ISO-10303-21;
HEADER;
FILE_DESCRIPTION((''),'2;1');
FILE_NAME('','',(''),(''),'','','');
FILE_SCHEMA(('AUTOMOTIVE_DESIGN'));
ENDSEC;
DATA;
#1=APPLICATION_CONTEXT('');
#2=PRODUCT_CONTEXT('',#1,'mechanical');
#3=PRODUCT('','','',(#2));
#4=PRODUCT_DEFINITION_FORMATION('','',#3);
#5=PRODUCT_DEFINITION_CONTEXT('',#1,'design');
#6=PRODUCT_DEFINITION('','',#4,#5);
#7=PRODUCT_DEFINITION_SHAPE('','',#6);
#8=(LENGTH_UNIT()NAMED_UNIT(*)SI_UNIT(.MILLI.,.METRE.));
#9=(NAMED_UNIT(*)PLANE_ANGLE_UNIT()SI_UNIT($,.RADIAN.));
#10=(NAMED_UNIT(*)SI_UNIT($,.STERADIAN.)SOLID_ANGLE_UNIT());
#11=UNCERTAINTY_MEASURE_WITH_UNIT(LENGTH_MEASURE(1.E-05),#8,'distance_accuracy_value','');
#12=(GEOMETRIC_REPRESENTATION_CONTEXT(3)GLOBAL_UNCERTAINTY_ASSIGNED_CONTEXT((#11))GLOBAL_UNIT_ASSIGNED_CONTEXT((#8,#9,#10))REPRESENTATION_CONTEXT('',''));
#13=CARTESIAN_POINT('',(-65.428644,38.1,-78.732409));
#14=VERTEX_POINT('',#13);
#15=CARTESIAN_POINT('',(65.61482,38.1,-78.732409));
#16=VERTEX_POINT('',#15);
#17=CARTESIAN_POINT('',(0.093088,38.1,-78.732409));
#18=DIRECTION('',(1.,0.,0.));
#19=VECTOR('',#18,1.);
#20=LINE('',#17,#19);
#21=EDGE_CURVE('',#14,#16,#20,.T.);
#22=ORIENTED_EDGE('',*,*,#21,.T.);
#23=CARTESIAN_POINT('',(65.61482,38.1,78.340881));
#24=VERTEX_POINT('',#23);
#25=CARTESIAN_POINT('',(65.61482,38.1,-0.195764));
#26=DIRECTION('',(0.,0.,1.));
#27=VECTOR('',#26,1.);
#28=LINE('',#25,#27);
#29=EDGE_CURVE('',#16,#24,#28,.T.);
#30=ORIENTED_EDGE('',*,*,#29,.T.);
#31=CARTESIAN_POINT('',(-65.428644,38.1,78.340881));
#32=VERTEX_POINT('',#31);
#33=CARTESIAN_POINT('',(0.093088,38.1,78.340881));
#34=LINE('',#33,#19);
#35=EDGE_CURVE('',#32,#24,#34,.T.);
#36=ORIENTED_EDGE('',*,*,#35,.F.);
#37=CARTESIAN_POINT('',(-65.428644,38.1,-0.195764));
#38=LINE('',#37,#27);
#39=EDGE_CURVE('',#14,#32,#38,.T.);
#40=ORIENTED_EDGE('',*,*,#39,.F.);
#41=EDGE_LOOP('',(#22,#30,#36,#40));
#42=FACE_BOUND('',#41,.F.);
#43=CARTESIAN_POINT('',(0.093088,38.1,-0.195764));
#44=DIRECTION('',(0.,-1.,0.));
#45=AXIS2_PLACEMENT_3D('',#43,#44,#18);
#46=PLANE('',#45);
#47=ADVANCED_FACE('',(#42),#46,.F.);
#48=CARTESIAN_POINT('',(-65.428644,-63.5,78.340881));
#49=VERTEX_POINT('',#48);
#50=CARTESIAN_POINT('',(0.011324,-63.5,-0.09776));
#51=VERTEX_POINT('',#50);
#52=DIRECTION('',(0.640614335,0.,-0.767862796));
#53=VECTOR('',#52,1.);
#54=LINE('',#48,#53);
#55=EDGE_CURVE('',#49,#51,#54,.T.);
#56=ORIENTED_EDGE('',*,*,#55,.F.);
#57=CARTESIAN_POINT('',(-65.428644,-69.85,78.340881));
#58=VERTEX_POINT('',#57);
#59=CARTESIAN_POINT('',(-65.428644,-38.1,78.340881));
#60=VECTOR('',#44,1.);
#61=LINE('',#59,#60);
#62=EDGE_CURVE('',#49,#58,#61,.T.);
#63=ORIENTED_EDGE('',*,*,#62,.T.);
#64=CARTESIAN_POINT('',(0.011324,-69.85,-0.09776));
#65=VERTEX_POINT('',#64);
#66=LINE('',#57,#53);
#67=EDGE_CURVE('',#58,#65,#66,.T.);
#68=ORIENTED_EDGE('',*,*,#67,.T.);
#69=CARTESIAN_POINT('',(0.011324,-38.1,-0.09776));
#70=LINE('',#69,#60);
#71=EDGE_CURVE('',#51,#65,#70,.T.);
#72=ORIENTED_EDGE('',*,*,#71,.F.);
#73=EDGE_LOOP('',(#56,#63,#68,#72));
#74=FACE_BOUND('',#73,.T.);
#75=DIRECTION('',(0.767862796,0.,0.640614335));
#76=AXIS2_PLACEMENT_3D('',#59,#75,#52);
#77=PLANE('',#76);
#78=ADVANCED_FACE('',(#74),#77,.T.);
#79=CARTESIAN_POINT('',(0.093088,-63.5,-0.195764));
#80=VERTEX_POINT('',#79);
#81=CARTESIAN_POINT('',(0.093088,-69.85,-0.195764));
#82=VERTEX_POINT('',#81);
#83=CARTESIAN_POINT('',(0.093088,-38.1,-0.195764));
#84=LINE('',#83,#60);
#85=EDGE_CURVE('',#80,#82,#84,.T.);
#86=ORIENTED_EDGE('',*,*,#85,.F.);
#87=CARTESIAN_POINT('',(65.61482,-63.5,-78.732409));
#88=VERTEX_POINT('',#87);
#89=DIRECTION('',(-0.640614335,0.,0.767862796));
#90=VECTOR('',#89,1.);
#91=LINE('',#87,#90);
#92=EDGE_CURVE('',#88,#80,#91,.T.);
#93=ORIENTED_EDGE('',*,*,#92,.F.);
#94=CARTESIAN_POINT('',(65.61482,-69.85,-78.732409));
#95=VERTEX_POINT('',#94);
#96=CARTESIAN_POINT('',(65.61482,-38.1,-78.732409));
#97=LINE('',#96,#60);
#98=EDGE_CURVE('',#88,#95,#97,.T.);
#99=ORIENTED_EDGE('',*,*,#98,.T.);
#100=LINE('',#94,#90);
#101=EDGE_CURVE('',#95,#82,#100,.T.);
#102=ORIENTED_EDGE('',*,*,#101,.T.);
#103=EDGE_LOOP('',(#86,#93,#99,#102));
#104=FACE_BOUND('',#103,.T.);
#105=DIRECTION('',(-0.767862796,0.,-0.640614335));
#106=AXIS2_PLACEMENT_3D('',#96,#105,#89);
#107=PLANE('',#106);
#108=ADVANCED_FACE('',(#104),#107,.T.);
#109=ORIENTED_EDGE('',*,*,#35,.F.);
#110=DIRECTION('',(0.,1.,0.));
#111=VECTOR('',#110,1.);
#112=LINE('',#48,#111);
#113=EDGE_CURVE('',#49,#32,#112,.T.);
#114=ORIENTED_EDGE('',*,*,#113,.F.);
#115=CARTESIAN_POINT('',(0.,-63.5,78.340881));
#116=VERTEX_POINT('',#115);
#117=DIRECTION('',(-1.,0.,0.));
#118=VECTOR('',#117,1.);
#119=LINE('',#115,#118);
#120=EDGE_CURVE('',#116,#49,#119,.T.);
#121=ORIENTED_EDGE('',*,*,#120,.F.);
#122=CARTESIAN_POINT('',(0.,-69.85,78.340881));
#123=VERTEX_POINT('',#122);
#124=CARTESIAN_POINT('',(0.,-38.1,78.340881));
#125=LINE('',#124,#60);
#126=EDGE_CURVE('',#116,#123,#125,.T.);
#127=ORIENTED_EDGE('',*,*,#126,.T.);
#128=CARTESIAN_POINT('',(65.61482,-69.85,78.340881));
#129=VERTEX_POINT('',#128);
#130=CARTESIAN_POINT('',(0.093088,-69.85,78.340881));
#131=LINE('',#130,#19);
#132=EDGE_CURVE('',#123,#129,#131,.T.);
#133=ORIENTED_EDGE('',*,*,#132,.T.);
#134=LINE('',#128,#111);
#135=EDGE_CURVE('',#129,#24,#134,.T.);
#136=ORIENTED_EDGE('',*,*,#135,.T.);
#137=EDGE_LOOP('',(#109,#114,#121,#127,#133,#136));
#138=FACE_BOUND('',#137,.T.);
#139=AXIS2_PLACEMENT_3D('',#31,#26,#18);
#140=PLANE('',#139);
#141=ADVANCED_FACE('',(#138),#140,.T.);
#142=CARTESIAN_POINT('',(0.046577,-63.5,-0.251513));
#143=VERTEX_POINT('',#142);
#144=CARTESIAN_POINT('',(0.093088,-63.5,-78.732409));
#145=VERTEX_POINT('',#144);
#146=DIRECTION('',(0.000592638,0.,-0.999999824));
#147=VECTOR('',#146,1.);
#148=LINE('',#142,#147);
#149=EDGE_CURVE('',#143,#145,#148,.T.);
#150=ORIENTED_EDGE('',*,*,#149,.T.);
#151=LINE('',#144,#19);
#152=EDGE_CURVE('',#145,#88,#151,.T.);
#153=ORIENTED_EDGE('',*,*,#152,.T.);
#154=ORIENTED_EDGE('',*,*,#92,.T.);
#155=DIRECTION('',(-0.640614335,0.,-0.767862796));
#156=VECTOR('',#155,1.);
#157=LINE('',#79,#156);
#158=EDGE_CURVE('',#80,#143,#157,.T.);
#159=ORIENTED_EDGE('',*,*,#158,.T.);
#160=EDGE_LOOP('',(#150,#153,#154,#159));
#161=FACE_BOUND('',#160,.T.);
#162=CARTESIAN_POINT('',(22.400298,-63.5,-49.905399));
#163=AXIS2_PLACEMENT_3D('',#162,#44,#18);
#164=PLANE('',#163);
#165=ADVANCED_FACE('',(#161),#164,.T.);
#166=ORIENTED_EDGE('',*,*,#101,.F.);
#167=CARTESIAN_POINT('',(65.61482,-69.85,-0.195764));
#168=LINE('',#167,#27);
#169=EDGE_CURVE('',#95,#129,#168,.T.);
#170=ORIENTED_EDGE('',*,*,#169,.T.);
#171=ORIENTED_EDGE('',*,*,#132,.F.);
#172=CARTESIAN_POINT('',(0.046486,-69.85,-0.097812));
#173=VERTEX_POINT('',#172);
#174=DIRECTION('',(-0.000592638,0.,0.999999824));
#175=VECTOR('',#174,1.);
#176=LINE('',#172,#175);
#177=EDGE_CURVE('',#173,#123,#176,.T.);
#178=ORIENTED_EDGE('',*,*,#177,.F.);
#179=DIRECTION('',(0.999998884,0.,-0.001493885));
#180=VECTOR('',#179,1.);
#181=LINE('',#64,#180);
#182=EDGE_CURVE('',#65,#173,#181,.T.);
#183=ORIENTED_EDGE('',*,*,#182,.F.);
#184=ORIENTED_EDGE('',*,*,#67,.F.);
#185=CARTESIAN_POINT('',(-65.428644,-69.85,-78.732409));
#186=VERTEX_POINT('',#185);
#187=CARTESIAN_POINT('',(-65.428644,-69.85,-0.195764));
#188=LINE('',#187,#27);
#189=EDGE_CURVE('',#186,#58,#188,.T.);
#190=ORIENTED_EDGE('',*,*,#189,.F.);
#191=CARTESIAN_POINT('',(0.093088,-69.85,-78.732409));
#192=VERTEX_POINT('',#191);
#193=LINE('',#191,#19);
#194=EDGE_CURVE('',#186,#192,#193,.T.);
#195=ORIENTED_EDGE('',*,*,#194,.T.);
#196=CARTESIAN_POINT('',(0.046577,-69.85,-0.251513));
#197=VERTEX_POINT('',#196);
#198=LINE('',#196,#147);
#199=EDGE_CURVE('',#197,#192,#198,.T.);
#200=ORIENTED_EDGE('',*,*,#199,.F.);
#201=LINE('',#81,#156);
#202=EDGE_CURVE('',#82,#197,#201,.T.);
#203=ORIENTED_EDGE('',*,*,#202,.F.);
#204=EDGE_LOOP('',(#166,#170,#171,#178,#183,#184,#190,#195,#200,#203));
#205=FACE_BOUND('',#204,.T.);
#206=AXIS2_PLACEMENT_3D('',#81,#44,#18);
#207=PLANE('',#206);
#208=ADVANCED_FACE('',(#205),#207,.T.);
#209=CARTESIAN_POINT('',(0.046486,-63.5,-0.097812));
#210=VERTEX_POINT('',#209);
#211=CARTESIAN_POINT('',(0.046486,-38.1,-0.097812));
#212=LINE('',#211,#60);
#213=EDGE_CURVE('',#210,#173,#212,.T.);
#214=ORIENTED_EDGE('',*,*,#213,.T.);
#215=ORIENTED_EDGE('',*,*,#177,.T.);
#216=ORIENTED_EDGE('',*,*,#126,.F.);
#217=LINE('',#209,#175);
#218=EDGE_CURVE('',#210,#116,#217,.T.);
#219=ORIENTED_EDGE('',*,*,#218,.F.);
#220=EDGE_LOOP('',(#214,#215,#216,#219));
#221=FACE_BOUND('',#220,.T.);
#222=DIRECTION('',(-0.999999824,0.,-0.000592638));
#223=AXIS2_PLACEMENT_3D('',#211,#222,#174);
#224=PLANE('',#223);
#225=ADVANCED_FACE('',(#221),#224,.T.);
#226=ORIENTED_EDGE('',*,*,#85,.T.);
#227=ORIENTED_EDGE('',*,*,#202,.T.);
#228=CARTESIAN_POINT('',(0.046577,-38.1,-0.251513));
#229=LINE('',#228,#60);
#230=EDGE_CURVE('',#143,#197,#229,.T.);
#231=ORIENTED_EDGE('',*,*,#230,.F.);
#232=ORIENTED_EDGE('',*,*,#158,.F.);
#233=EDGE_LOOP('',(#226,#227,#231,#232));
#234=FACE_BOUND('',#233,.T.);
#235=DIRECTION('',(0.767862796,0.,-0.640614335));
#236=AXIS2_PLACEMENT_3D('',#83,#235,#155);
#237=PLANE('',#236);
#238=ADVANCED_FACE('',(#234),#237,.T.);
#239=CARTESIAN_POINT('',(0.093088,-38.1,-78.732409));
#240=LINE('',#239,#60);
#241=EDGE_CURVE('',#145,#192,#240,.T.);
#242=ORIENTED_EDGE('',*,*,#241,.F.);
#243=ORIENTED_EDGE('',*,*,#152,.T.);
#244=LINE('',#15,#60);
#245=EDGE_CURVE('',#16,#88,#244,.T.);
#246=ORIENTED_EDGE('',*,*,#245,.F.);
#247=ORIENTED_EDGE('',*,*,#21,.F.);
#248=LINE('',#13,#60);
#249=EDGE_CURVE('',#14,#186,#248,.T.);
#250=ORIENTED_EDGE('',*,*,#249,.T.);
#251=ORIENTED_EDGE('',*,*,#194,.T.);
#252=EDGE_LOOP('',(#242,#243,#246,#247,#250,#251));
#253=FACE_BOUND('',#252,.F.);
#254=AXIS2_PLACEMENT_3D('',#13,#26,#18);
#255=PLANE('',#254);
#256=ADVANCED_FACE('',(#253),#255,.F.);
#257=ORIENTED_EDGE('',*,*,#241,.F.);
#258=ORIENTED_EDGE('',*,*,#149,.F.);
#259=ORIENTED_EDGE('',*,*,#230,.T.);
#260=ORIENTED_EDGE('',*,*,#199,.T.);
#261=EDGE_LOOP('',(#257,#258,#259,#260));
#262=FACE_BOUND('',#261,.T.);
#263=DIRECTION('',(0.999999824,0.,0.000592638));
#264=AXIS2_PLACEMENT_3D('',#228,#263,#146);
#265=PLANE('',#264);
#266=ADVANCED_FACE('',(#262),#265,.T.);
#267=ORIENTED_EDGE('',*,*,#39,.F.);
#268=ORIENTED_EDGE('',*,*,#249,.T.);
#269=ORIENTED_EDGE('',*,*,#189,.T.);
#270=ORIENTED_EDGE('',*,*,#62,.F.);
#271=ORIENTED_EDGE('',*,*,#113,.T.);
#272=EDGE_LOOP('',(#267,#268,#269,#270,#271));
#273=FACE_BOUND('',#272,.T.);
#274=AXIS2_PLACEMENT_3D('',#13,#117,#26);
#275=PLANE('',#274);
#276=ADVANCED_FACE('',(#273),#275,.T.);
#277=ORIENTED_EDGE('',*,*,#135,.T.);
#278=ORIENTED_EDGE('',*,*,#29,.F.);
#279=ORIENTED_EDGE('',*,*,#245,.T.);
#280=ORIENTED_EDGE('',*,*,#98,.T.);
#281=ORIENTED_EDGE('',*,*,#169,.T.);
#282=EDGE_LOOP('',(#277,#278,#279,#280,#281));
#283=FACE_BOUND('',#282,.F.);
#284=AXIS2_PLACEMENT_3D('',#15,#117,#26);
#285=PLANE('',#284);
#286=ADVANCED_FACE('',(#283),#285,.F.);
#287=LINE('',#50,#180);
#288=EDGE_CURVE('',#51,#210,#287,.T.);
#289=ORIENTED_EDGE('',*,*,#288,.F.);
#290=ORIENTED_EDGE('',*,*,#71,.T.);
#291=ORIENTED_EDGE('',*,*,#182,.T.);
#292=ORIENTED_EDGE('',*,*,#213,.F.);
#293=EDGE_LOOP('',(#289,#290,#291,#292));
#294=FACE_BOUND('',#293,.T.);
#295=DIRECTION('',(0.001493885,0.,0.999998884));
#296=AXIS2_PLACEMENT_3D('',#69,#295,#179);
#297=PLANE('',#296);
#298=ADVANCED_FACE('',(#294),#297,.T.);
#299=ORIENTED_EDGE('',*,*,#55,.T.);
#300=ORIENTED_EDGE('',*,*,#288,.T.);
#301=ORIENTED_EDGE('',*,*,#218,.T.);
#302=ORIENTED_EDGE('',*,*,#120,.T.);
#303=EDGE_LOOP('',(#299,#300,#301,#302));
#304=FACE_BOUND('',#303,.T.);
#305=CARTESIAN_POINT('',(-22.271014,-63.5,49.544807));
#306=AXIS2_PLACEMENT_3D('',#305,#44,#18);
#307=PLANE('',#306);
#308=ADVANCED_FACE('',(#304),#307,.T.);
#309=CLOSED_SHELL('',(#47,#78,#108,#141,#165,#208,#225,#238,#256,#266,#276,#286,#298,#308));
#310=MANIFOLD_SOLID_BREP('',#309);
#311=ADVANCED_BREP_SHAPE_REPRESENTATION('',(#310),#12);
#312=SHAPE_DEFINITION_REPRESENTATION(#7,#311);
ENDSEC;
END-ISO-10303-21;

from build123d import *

# Parameters (mm, degrees)
F0_W     = 131.0434639454
F0_H     = 157.073289156
F1_DEPTH = 38.1
F3_DEPTH = 25.4
F4_DEPTH = 31.75
F5_DEPTH = 25.4
F6_DEPTH = 25.4


with BuildPart() as f1:
    # F0 (on Front) → F1 (new body, symmetric)
    with BuildSketch(Plane.XZ):
        with Locations((0.093087554, -0.1957640052)):
            Rectangle(F0_W, F0_H)
    extrude(amount=F1_DEPTH, both=True)

    # F2 (on face) → F3 (join)
    with BuildSketch(Plane.XZ.offset(38.1)):
        Polygon((65.6148195267, -78.7324085832), (0.093087554, -0.1957640052), (0.0465768162, -0.2515134058), (0.093087554, -78.7324085832), align=None)
        Polygon((0.0464857272, -0.0978123848), (0, 78.3408805728), (-65.4286444187, 78.3408805728), (0.0113244291, -0.0977598578), align=None)
    extrude(amount=F3_DEPTH)

    # F4 (add): a face of the model
    f4_faces = [f1.faces().sort_by_distance(p)[0] for p in [
        (0.0930765329, -38.1, -0.1771720733),
    ]]
    extrude(f4_faces, amount=F4_DEPTH)

    # F5 (add): a face of the model
    f5_faces = [f1.faces().sort_by_distance(p)[0] for p in [
        (0.093087554, 38.1, -0.1957640052),
    ]]
    extrude(f5_faces, amount=-F5_DEPTH)

    # F6 (add): a face of the model
    f6_faces = [f1.faces().sort_by_distance(p)[0] for p in [
        (0.093087554, 38.1, -0.1957640052),
    ]]
    extrude(f6_faces, amount=-F6_DEPTH)


solid = f1.part
